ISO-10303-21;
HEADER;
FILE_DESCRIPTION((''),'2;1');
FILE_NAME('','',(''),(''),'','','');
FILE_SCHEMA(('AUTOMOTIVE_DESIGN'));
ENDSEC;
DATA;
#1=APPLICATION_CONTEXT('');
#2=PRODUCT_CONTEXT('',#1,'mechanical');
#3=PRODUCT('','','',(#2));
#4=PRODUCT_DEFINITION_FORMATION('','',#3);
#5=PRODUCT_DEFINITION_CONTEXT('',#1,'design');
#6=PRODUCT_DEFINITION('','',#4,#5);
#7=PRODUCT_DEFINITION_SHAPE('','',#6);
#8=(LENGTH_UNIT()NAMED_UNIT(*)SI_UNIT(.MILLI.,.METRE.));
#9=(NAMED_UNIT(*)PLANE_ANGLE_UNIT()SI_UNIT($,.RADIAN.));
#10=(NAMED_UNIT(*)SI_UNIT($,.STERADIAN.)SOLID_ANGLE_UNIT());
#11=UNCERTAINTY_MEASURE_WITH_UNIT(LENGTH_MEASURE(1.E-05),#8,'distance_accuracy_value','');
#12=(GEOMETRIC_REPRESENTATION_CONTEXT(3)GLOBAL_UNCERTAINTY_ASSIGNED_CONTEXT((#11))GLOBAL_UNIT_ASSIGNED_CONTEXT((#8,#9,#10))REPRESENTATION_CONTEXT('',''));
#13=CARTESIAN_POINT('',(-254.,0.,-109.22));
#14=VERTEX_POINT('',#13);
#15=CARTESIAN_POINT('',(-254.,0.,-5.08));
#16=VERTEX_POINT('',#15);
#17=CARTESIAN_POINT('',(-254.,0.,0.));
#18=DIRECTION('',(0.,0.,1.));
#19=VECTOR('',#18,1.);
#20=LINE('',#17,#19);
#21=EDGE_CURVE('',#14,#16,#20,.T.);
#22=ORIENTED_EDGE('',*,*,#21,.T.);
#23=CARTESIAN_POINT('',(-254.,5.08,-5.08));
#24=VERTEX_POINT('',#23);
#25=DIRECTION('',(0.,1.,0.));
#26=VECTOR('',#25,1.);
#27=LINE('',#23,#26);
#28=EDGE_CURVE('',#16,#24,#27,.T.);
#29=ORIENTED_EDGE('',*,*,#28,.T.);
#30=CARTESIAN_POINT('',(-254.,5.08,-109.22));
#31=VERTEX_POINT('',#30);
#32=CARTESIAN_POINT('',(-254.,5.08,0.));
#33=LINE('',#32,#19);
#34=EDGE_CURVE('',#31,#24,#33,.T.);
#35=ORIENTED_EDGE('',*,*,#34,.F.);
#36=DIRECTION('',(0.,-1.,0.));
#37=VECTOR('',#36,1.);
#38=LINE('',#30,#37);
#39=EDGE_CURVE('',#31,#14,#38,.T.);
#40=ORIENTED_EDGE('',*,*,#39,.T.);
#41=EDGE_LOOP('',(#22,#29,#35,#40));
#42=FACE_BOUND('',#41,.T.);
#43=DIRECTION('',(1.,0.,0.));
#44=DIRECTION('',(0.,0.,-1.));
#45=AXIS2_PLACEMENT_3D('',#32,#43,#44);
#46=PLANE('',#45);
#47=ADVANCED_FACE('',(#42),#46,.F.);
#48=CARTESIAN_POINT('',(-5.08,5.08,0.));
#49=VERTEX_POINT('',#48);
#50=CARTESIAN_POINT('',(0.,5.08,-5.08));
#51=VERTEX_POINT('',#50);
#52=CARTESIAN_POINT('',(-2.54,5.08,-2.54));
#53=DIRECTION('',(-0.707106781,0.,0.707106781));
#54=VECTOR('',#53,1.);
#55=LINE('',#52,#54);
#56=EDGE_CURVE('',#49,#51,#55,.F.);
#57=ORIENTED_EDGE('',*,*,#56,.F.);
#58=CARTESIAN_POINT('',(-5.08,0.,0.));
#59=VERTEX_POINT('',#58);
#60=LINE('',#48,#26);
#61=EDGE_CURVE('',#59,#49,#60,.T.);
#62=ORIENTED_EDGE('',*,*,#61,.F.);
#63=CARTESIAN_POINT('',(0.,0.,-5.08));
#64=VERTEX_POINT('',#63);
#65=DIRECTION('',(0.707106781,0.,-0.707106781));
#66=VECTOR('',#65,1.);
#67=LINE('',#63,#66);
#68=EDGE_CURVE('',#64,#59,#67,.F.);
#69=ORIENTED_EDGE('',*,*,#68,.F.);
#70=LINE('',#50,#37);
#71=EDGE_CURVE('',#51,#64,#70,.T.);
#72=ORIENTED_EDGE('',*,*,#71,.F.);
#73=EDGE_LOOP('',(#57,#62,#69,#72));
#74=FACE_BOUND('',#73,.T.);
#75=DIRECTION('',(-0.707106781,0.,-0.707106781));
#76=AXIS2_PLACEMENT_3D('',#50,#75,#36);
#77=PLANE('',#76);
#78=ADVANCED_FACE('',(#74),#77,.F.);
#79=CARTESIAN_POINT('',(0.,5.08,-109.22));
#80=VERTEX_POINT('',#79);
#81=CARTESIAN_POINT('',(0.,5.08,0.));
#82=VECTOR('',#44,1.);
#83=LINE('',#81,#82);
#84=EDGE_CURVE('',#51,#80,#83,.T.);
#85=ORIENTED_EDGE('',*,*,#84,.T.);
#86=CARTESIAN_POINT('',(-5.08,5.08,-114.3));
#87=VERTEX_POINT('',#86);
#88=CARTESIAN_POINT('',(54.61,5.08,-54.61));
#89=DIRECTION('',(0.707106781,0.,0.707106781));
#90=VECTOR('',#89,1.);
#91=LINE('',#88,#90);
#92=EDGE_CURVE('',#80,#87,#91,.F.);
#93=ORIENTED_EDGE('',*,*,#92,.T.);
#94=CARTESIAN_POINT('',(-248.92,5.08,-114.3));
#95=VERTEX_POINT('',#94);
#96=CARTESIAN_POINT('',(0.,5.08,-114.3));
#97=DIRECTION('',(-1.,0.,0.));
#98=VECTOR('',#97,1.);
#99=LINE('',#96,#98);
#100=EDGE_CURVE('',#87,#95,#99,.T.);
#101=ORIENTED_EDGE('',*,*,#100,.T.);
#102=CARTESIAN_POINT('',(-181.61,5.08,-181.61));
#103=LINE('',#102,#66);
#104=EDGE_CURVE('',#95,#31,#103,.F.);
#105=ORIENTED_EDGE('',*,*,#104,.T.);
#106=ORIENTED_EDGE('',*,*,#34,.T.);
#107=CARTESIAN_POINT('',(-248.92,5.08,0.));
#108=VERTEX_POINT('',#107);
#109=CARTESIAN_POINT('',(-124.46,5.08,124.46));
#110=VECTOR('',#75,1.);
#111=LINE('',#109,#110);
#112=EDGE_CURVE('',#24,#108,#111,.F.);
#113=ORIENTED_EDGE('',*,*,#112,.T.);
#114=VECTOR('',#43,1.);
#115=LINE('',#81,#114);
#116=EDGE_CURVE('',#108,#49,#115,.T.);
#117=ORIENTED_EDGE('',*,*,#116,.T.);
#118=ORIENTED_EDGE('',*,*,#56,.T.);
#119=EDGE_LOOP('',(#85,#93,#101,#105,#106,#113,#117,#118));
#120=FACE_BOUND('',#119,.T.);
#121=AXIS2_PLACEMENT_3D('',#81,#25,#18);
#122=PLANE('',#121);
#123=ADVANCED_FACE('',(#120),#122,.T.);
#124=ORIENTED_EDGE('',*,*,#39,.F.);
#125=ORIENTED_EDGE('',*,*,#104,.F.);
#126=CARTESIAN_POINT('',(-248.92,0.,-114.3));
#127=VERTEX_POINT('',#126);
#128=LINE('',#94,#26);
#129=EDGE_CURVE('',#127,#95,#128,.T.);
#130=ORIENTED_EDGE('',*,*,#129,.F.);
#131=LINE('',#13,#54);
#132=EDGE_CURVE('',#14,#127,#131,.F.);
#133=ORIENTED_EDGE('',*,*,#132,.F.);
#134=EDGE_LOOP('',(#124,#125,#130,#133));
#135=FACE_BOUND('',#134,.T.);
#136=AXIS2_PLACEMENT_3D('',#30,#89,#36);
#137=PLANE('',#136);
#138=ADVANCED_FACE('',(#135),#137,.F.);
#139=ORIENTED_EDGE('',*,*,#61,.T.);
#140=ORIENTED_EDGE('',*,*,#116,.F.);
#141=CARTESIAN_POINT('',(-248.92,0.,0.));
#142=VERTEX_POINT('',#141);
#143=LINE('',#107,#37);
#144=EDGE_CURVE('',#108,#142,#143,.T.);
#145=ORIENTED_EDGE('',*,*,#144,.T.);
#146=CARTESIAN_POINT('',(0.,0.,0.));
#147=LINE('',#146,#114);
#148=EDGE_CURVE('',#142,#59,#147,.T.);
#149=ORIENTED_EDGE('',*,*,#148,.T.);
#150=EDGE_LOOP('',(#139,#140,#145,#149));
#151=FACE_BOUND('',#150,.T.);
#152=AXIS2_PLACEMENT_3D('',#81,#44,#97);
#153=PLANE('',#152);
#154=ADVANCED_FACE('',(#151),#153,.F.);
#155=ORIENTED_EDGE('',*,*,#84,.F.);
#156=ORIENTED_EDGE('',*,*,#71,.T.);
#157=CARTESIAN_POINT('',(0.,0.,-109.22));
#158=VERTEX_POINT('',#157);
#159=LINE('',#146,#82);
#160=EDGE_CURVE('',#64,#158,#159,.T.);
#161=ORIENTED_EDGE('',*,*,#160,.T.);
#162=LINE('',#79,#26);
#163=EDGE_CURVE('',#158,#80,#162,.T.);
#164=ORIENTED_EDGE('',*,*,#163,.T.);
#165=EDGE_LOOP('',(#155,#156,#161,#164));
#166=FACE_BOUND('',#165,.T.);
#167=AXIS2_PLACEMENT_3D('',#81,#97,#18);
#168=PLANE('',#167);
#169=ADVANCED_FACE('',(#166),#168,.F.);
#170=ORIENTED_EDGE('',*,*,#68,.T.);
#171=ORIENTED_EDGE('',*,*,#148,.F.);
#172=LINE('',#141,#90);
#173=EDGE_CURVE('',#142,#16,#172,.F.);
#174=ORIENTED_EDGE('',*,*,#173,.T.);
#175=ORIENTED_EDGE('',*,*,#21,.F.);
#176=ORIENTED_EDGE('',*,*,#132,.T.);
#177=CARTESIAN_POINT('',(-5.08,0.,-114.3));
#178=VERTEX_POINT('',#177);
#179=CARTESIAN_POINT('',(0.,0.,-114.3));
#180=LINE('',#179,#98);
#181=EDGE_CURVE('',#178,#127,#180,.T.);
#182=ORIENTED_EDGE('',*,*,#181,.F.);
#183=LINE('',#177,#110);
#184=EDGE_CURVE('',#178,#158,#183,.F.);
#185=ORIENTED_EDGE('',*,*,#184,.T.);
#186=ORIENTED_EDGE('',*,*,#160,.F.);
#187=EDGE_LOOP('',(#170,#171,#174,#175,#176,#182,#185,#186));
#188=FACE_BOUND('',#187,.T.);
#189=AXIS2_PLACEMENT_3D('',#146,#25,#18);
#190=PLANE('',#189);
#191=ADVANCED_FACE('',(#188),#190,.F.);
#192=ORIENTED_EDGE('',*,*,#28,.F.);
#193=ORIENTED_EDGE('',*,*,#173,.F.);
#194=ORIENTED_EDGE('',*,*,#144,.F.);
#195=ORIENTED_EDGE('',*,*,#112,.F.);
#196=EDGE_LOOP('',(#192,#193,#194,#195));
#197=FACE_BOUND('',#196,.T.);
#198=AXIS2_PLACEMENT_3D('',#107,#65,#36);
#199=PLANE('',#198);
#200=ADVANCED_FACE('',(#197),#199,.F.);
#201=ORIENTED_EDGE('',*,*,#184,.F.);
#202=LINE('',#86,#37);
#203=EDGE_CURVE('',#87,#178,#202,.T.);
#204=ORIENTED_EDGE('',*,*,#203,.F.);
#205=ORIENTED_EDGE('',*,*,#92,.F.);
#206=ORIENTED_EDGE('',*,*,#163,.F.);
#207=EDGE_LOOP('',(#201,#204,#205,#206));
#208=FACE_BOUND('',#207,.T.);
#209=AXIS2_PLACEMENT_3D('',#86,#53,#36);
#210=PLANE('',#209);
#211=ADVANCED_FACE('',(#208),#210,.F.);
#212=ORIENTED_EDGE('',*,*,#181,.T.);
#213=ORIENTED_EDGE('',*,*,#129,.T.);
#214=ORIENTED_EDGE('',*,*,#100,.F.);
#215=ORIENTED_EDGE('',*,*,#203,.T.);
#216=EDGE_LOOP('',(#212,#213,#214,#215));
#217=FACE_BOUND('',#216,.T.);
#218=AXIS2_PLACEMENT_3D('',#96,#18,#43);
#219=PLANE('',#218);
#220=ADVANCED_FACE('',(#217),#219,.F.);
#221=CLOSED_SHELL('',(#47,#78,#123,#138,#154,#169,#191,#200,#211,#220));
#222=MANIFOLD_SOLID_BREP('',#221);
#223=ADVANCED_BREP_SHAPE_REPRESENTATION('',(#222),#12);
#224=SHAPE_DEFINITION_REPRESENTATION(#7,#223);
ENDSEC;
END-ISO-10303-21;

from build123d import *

# Parameters (mm, degrees)
SKETCH1_W                 = 254
SKETCH1_H                 = 114.3
BOSS_EXTRUDE1_DEPTH       = 5.08
CHAMFER1_SIZE             = 5.08
BOSS_EXTRUDE3_START       = -127
BOSS_EXTRUDE3_DEPTH       = 38.1
BOSS_EXTRUDE4_DEPTH       = 2.54
SKETCH6_R                 = 3
BOSS_EXTRUDE5_DEPTH       = 6
SKETCH12_R                = 3
SKETCH12_R_2              = 3.5
BOSS_EXTRUDE7_DEPTH       = 6
F_3_0MM_DOWEL_HOLE1_D     = 3
F_3_0MM_DOWEL_HOLE1_DEPTH = 5.08
SKETCH13_W                = 114.3
SKETCH13_H                = 11.500997776
CUT_EXTRUDE1_DEPTH        = 255


with BuildPart() as part:
    # Sketch1 → Boss-Extrude1 (new body)
    with BuildSketch(Plane(origin=(0, 0, 0), x_dir=(1, 0, 0), z_dir=(0, 1, 0))):
        with Locations((-127, 57.15)):
            Rectangle(SKETCH1_W, SKETCH1_H)
    extrude(amount=BOSS_EXTRUDE1_DEPTH)

    # Chamfer1
    chamfer1_edges = [part.edges().sort_by_distance(p)[0] for p in [
        (0, 2.54, 0),
        (-254, 2.54, 0),
        (-254, 2.54, -114.3),
        (0, 2.54, -114.3),
    ]]
    chamfer(chamfer1_edges, length=CHAMFER1_SIZE)

    # Sketch3 → Boss-Extrude3 (add, symmetric)
    with BuildSketch(Plane(origin=(0, 0, 0), x_dir=(0, 0, -1), z_dir=(1, 0, 0)).offset(BOSS_EXTRUDE3_START)):
        Polygon((2.667, 5.08), (2.667, 6.35), (2.032, 7.62), (2.667, 8.89), (3.937, 8.89), (3.937, 5.08), align=None)
    boss_extrude3 = extrude(amount=BOSS_EXTRUDE3_DEPTH, both=True)

    # Mirror1: Boss-Extrude3 across plane
    add(boss_extrude3.mirror(Plane.XY.offset(-57.15)))

    # Sketch4 → Boss-Extrude4 (add)
    with BuildSketch(Plane(origin=(0, 5.08, 0), x_dir=(1, 0, 0), z_dir=(0, 1, 0))):
        Polygon((-6.184707571, 111.633), (-247.815292429, 111.633), (-251.333, 108.115292429), (-251.333, 6.184707571), (-247.815292429, 2.667), (-6.184707571, 2.667), (-2.667, 6.184707571), (-2.667, 108.115292429), align=None)
        Polygon((-7.247331044, 109.0676), (-246.752668956, 109.0676), (-248.7676, 107.052668956), (-248.7676, 7.247331044), (-246.752668956, 5.2324), (-7.247331044, 5.2324), (-5.2324, 7.247331044), (-5.2324, 107.052668956), align=None, mode=Mode.SUBTRACT)
    extrude(amount=BOSS_EXTRUDE4_DEPTH)

    # Sketch6 → Boss-Extrude5 (add)
    with BuildSketch(Plane(origin=(0, 5.08, 0), x_dir=(1, 0, 0), z_dir=(0, 1, 0))):
        with Locations((-30.6324, 67.31)):
            Circle(SKETCH6_R)
        with Locations((-30.6324, 19.05)):
            Circle(SKETCH6_R)
        with Locations((-82.7024, 52.07)):
            Circle(SKETCH6_R)
        with Locations((-82.7024, 24.13)):
            Circle(SKETCH6_R)
    extrude(amount=BOSS_EXTRUDE5_DEPTH)

    # Sketch12 → Boss-Extrude7 (add)
    with BuildSketch(Plane(origin=(0, 5.08, 0), x_dir=(1, 0, 0), z_dir=(0, 1, 0))):
        with Locations((-132.2324, 67.4624)):
            Circle(SKETCH12_R)
        with Locations((-132.2324, 11.5824)):
            Circle(SKETCH12_R)
        with Locations((-113.1824, 67.4624)):
            Circle(SKETCH12_R)
        with Locations((-113.1824, 11.5824)):
            Circle(SKETCH12_R)
        with Locations((-81.4324, 96.3676)):
            Circle(SKETCH12_R_2)
        with Locations((-171.4324, 96.3676)):
            Circle(SKETCH12_R_2)
    extrude(amount=BOSS_EXTRUDE7_DEPTH)

    # Ø3.0mm Dowel Hole1
    with Locations(Plane(origin=(0, 11.08, 0), x_dir=(1, 0, 0), z_dir=(0, 1, 0))):
        with Locations((-82.7024, 24.13), (-82.7024, 52.07), (-30.6324, 67.31), (-30.6324, 19.05), (-132.2324, 11.5824), (-113.1824, 11.5824), (-171.4324, 96.3676), (-132.2324, 67.4624), (-113.1824, 67.4624), (-81.4324, 96.3676)):
            Hole(F_3_0MM_DOWEL_HOLE1_D / 2, depth=F_3_0MM_DOWEL_HOLE1_DEPTH)

    # Sketch13 → Cut-Extrude1 (cut, through all)
    with BuildSketch(Plane.ZY.offset(254)):
        with Locations((-57.15, 10.830498888)):
            Rectangle(SKETCH13_W, SKETCH13_H)
    extrude(amount=-CUT_EXTRUDE1_DEPTH, mode=Mode.SUBTRACT)


solid = part.part
